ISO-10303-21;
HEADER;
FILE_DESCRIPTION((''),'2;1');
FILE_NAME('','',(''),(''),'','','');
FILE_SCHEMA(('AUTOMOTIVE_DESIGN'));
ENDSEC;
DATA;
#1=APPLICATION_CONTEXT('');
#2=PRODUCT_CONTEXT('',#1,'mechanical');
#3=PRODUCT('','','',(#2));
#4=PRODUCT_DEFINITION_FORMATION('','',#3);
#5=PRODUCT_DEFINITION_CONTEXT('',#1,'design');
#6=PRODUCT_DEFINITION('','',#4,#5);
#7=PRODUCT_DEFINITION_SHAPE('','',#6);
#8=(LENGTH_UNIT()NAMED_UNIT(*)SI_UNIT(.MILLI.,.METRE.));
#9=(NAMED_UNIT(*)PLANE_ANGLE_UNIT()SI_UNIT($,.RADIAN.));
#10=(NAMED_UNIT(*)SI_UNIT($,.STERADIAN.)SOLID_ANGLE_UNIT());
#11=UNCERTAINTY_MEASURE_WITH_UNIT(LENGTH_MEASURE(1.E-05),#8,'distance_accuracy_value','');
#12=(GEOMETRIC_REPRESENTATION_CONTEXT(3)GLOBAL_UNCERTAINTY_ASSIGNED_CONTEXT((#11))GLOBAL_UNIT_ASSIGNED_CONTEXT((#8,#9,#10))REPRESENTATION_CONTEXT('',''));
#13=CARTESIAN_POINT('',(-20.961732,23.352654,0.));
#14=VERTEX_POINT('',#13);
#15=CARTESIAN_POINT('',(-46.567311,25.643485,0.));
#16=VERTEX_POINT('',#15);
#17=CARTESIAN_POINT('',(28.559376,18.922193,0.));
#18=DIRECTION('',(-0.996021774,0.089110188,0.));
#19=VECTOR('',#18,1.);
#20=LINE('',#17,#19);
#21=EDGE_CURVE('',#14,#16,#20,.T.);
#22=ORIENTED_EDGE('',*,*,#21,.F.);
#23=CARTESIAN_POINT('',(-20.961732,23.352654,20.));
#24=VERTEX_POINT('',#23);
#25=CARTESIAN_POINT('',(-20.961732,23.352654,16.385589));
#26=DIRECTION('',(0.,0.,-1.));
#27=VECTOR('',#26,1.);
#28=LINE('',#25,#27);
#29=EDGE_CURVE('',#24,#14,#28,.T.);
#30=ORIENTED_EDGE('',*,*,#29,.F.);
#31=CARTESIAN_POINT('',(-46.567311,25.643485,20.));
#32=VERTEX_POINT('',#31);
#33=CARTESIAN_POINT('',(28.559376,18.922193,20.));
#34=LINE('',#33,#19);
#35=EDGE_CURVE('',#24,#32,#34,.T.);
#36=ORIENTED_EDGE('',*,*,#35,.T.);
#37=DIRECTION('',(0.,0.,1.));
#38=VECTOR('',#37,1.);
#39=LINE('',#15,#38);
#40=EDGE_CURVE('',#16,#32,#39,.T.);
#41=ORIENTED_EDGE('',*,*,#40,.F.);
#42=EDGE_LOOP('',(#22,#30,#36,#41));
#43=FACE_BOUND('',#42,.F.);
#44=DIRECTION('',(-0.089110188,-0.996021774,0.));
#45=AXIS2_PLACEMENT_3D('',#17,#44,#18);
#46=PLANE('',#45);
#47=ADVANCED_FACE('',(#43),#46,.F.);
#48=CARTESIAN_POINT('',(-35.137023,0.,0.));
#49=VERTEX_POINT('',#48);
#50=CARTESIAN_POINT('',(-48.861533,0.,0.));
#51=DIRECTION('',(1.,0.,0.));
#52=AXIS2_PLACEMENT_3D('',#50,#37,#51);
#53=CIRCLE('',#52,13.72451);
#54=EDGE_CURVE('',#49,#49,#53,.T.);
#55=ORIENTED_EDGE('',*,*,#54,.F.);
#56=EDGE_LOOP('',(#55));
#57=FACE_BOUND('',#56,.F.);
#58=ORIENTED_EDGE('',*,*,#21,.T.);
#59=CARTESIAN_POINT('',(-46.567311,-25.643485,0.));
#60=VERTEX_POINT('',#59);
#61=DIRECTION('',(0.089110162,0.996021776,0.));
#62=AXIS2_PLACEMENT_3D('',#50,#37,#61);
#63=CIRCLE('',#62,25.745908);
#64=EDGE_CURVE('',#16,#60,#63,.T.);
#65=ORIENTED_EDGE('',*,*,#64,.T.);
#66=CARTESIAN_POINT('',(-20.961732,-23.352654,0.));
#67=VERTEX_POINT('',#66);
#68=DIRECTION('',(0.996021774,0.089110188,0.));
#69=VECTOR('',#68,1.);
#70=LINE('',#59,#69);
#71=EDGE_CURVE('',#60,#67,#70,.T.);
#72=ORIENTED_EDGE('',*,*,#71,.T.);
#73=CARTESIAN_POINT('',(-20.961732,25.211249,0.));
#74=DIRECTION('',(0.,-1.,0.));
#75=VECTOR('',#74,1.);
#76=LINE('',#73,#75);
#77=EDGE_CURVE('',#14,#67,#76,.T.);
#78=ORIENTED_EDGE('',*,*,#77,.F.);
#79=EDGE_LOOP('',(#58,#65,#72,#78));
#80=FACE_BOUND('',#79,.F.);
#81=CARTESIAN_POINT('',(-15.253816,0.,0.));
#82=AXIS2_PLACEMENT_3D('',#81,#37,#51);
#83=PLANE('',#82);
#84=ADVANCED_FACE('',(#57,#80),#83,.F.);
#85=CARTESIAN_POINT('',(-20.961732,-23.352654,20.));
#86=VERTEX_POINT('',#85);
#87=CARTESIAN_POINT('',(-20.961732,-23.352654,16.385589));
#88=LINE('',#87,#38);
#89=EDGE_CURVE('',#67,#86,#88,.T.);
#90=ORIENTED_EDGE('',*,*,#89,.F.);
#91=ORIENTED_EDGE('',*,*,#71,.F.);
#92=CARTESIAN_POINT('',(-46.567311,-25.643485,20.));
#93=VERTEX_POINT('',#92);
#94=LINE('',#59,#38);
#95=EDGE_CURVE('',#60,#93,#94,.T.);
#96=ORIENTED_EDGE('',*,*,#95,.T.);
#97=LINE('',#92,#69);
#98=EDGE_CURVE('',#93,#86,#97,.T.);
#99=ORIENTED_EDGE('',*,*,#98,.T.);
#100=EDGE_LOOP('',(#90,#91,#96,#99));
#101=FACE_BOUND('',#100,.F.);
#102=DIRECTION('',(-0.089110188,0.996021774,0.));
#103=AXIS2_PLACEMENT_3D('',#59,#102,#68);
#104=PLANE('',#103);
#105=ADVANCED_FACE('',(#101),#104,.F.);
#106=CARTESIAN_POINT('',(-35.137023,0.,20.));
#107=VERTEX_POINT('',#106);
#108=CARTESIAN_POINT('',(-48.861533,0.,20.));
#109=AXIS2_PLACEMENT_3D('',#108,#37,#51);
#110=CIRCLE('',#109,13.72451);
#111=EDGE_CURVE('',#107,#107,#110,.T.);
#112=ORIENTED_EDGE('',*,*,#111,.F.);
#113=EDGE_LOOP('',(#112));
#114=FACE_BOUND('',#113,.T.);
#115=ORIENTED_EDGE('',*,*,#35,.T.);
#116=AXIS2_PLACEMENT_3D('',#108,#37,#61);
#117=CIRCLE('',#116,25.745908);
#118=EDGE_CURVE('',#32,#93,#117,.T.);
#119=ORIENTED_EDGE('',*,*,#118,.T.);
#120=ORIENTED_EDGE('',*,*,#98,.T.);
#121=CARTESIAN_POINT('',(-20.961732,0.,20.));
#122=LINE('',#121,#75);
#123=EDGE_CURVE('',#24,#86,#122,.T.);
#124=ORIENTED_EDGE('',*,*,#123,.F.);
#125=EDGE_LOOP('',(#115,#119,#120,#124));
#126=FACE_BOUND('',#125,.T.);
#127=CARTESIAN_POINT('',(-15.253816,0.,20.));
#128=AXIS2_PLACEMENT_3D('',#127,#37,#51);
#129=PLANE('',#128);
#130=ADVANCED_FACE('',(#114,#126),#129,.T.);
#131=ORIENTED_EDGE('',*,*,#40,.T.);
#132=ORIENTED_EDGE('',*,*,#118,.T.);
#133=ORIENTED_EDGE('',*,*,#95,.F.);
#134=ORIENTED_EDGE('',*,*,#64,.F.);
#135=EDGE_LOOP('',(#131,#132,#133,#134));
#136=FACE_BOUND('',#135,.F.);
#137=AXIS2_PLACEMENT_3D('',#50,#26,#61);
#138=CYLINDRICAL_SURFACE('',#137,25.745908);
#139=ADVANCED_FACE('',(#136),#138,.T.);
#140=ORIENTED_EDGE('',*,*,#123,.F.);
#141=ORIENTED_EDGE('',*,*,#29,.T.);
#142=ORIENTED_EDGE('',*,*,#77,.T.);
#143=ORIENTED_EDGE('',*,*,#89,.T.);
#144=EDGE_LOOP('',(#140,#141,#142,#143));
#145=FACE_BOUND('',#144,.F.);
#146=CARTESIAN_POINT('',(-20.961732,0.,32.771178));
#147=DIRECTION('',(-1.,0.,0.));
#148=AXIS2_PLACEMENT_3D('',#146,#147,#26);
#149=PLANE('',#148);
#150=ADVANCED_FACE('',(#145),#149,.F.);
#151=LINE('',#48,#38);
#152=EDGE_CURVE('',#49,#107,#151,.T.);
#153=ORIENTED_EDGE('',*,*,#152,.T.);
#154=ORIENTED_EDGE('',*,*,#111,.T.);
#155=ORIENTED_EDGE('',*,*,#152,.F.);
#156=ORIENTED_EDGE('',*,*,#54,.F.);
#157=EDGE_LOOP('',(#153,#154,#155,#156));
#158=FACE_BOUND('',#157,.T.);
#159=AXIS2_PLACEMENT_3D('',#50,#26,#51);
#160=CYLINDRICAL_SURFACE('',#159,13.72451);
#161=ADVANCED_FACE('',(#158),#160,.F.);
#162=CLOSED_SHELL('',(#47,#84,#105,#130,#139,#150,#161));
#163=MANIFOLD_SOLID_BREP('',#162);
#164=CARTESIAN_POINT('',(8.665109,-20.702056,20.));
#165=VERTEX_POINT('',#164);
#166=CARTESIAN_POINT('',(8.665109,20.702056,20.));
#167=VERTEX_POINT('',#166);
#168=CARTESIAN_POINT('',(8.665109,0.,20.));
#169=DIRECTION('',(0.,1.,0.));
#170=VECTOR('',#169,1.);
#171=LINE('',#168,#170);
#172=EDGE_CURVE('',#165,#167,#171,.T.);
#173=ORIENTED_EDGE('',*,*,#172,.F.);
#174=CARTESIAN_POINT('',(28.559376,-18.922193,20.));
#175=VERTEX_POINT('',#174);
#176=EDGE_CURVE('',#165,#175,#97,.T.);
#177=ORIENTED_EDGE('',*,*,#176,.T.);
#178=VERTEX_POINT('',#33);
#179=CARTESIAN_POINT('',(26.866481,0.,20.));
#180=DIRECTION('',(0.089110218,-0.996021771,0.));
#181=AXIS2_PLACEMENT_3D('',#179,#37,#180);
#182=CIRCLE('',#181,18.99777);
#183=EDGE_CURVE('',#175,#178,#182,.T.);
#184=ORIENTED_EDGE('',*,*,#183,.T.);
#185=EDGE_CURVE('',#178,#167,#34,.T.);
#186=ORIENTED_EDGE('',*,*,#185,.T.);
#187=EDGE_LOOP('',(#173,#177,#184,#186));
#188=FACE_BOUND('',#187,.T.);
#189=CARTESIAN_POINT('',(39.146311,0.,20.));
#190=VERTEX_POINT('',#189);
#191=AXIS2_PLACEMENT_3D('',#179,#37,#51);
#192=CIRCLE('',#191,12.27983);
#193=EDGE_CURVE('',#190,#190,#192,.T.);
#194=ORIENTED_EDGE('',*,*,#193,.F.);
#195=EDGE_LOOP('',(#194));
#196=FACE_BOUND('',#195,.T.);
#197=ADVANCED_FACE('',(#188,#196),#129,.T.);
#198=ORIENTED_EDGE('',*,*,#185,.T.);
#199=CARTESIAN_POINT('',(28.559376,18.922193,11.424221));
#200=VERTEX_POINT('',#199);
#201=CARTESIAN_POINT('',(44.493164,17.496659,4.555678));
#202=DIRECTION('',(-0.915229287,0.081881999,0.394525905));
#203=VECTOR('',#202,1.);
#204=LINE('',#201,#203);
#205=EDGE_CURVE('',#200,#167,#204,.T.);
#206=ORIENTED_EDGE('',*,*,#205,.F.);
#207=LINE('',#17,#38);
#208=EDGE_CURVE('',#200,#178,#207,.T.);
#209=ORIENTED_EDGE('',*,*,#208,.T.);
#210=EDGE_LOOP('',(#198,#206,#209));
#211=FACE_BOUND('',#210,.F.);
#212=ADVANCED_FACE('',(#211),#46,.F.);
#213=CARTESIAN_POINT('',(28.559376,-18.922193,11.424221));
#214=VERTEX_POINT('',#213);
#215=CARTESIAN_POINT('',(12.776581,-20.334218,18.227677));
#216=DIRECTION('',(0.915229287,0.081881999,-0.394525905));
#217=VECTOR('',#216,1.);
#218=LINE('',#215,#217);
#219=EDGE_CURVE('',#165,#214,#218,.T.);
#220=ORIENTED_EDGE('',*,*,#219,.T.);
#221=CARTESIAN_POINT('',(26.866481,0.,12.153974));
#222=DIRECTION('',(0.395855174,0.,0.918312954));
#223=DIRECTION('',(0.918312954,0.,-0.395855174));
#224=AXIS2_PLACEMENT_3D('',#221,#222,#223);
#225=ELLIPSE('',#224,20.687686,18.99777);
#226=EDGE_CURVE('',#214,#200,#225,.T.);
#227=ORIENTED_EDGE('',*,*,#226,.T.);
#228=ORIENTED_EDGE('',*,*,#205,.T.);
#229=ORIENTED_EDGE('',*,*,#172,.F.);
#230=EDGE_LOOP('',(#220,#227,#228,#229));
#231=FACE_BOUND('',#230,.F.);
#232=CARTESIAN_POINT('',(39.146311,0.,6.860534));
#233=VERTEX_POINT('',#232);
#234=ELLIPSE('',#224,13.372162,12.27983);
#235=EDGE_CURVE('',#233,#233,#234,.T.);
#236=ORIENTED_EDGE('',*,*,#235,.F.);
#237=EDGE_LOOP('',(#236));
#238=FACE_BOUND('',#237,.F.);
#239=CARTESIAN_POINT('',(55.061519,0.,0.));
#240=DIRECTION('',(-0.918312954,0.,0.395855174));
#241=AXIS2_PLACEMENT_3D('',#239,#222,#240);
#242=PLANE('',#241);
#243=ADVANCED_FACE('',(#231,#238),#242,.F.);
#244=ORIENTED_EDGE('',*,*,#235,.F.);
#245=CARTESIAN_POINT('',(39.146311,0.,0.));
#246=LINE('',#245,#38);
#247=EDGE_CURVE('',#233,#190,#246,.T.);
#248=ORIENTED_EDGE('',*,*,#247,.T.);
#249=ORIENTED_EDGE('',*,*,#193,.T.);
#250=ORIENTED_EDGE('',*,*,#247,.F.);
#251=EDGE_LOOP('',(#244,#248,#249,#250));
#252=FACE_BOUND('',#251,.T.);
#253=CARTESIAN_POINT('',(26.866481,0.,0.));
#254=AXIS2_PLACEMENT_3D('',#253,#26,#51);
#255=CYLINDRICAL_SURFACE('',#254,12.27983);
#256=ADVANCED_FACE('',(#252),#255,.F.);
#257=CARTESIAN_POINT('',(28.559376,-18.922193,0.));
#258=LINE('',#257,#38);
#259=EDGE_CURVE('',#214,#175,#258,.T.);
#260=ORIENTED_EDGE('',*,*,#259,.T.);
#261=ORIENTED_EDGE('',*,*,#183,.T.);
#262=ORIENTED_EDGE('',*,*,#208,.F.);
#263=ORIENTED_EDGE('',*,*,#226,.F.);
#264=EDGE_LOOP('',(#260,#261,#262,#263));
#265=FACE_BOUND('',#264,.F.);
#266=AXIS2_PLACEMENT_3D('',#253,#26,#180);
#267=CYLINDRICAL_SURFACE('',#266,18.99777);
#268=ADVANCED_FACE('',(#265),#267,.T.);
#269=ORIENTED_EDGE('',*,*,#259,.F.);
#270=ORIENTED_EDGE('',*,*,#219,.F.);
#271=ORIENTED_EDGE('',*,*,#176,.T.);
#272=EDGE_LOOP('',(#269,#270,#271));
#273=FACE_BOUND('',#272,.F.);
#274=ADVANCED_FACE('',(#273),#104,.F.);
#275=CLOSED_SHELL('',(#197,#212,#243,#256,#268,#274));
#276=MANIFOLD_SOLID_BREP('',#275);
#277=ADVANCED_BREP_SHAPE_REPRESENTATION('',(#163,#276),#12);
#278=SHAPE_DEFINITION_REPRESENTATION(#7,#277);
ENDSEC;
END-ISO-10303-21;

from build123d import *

# Parameters (mm, degrees)
F0_R     = 13.72451
F0_R_2   = 12.27983
F1_DEPTH = 20
F3_DEPTH = 25.211249


with BuildPart() as f1:
    # F0 (on Top) → F1 (new body)
    with BuildSketch(Plane.XY):
        with BuildLine():
            Line((-46.567311, -25.643485), (28.559376, -18.922193))
            ThreePointArc((28.559376, -18.922193), (45.864251, 0), (28.559376, 18.922193))
            Line((28.559376, 18.922193), (-46.567311, 25.643485))
            ThreePointArc((-46.567311, 25.643485), (-74.607441, 0), (-46.567311, -25.643485))
        make_face()
        with Locations((-48.861533, 0)):
            Circle(F0_R, mode=Mode.SUBTRACT)
        with Locations((26.866481, 0)):
            Circle(F0_R_2, mode=Mode.SUBTRACT)
    extrude(amount=F1_DEPTH)

    # F2 (on Front) → F3 (cut, symmetric)
    with BuildSketch(Plane.XZ):
        Polygon((-20.961732, 32.771178), (-20.961732, 0), (55.061519, 0), align=None)
    extrude(amount=F3_DEPTH, both=True, mode=Mode.SUBTRACT)


solid = f1.part
